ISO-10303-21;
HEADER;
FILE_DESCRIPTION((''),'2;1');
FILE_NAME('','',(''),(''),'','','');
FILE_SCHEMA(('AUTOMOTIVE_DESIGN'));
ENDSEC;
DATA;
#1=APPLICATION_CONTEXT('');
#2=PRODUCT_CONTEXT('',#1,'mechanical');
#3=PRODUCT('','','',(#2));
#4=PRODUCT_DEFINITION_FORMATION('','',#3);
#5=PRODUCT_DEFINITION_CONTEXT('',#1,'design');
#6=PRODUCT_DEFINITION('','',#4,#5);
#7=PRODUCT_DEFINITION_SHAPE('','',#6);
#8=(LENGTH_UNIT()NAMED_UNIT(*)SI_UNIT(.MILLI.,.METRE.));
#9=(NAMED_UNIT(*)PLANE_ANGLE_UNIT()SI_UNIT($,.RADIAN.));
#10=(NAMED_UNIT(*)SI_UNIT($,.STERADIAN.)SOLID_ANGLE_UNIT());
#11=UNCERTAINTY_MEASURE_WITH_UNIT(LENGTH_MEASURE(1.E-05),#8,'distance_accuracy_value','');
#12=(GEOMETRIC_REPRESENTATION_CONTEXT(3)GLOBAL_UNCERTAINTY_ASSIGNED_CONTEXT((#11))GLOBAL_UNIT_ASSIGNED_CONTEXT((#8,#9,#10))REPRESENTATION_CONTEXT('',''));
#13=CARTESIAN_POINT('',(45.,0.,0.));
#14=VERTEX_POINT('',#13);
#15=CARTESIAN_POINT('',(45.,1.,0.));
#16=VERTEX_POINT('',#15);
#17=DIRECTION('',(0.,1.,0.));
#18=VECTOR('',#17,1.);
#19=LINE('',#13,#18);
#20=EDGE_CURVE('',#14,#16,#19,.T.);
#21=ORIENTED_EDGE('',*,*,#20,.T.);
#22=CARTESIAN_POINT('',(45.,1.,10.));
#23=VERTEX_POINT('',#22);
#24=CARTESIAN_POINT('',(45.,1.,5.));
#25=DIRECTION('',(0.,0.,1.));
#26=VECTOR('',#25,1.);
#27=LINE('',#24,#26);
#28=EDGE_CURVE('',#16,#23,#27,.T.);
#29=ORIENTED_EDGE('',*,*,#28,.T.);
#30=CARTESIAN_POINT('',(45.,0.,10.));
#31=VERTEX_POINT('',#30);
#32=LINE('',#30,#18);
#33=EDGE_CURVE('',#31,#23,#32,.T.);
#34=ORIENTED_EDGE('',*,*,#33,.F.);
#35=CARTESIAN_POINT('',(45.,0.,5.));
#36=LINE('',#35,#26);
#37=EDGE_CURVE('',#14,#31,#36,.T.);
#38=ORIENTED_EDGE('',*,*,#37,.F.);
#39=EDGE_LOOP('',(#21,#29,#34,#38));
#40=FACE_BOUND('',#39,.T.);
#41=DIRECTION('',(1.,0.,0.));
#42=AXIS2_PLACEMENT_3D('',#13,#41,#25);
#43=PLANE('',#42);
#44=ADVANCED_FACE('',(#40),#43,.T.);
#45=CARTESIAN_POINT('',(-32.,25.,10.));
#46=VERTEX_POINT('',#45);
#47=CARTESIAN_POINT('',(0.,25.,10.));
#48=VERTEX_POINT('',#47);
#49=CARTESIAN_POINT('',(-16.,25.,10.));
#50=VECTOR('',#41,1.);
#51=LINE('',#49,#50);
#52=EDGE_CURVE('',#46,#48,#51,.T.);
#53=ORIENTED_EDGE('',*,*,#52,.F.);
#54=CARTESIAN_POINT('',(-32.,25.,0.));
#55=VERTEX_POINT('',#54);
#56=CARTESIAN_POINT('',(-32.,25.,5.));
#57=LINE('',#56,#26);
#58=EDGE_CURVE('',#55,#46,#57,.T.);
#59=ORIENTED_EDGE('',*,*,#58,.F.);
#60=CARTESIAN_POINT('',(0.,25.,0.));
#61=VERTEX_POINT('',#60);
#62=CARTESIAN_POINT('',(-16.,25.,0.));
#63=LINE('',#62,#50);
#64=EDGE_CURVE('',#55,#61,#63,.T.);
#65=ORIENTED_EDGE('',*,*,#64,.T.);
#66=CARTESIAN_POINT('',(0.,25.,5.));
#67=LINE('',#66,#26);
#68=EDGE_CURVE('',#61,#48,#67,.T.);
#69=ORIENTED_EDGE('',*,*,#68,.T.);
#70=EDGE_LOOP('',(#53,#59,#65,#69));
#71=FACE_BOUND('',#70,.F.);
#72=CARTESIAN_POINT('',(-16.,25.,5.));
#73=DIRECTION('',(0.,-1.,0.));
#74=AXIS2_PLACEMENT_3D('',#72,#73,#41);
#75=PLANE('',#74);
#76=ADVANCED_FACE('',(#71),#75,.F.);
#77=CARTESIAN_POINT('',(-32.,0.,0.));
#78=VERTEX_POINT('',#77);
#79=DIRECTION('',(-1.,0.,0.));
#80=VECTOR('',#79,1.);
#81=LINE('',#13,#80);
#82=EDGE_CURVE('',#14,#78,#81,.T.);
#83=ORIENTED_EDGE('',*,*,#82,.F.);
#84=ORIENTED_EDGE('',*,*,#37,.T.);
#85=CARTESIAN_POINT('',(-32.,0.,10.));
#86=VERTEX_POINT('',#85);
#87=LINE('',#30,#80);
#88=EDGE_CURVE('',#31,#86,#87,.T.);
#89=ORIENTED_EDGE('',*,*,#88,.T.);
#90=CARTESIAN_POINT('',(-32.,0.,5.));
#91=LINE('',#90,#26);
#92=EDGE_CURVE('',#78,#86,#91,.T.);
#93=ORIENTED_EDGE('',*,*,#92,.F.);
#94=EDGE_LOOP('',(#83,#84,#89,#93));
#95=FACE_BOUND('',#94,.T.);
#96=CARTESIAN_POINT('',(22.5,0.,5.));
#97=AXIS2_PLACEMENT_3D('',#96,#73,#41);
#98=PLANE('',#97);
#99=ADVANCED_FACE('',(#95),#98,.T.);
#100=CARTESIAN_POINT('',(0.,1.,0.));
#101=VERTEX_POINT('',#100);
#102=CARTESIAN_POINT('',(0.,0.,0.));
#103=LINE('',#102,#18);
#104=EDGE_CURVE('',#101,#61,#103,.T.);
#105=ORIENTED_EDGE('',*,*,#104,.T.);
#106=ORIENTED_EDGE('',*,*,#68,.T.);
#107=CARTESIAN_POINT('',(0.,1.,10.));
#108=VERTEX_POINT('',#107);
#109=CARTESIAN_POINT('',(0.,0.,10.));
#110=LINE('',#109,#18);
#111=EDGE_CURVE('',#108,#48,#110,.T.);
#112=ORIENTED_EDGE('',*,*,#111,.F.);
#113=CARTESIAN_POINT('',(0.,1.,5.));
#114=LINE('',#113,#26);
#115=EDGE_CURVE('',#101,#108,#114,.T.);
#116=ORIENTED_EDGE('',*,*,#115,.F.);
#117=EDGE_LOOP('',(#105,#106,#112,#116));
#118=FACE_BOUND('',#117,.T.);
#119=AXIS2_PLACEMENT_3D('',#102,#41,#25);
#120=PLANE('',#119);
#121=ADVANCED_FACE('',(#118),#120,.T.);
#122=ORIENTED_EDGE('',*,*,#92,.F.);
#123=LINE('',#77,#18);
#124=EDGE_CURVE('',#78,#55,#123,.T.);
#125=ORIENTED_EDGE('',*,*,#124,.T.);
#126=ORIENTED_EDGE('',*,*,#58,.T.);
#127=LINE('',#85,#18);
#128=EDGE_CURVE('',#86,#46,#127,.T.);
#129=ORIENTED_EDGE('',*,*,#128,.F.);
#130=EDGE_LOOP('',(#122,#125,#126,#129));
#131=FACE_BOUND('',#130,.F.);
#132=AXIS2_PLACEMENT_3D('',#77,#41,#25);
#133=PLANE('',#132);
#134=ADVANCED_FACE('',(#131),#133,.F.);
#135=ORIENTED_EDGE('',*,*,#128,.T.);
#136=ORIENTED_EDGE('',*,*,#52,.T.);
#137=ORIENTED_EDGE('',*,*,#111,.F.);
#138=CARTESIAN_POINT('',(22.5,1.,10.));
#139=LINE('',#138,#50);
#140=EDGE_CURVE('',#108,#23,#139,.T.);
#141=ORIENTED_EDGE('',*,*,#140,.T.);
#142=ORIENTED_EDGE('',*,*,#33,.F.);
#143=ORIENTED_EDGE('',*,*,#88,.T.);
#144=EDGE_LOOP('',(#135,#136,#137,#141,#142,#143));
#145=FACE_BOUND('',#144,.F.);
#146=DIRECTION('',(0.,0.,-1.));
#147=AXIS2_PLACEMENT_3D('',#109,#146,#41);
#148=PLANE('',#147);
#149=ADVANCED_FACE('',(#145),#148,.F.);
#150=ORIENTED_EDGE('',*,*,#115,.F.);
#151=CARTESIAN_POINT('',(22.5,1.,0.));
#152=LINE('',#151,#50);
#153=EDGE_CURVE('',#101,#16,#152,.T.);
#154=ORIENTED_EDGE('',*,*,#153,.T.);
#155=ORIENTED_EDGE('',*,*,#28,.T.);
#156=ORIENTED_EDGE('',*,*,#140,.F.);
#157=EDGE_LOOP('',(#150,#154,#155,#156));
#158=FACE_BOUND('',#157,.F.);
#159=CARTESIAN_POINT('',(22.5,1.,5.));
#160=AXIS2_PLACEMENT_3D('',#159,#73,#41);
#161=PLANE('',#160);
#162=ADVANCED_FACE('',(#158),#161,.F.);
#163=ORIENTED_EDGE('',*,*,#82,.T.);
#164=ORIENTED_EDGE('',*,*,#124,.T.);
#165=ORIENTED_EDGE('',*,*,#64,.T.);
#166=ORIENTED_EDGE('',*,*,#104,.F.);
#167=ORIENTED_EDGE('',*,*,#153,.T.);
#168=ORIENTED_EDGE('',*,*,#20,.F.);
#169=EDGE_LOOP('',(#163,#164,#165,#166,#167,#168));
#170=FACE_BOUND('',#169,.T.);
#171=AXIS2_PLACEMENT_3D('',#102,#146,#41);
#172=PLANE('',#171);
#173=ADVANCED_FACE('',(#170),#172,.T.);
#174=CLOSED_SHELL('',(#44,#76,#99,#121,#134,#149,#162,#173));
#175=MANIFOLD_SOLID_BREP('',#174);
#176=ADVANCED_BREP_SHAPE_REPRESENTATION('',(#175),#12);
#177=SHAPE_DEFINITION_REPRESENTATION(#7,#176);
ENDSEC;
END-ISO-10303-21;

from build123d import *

# Parameters (mm, degrees)
F0_W     = 32
F0_H     = 10
F1_DEPTH = 25
F0_W_2   = 45
F2_DEPTH = 1


with BuildPart() as f1:
    # F0 (on Front) → F1 (new body)
    with BuildSketch(Plane.XZ):
        with Locations((-16, 5)):
            Rectangle(F0_W, F0_H)
    extrude(amount=-F1_DEPTH)

    # F0 (on Front) → F2 (join)
    with BuildSketch(Plane.XZ):
        with Locations((22.5, 5)):
            Rectangle(F0_W_2, F0_H)
    extrude(amount=-F2_DEPTH)


solid = f1.part
